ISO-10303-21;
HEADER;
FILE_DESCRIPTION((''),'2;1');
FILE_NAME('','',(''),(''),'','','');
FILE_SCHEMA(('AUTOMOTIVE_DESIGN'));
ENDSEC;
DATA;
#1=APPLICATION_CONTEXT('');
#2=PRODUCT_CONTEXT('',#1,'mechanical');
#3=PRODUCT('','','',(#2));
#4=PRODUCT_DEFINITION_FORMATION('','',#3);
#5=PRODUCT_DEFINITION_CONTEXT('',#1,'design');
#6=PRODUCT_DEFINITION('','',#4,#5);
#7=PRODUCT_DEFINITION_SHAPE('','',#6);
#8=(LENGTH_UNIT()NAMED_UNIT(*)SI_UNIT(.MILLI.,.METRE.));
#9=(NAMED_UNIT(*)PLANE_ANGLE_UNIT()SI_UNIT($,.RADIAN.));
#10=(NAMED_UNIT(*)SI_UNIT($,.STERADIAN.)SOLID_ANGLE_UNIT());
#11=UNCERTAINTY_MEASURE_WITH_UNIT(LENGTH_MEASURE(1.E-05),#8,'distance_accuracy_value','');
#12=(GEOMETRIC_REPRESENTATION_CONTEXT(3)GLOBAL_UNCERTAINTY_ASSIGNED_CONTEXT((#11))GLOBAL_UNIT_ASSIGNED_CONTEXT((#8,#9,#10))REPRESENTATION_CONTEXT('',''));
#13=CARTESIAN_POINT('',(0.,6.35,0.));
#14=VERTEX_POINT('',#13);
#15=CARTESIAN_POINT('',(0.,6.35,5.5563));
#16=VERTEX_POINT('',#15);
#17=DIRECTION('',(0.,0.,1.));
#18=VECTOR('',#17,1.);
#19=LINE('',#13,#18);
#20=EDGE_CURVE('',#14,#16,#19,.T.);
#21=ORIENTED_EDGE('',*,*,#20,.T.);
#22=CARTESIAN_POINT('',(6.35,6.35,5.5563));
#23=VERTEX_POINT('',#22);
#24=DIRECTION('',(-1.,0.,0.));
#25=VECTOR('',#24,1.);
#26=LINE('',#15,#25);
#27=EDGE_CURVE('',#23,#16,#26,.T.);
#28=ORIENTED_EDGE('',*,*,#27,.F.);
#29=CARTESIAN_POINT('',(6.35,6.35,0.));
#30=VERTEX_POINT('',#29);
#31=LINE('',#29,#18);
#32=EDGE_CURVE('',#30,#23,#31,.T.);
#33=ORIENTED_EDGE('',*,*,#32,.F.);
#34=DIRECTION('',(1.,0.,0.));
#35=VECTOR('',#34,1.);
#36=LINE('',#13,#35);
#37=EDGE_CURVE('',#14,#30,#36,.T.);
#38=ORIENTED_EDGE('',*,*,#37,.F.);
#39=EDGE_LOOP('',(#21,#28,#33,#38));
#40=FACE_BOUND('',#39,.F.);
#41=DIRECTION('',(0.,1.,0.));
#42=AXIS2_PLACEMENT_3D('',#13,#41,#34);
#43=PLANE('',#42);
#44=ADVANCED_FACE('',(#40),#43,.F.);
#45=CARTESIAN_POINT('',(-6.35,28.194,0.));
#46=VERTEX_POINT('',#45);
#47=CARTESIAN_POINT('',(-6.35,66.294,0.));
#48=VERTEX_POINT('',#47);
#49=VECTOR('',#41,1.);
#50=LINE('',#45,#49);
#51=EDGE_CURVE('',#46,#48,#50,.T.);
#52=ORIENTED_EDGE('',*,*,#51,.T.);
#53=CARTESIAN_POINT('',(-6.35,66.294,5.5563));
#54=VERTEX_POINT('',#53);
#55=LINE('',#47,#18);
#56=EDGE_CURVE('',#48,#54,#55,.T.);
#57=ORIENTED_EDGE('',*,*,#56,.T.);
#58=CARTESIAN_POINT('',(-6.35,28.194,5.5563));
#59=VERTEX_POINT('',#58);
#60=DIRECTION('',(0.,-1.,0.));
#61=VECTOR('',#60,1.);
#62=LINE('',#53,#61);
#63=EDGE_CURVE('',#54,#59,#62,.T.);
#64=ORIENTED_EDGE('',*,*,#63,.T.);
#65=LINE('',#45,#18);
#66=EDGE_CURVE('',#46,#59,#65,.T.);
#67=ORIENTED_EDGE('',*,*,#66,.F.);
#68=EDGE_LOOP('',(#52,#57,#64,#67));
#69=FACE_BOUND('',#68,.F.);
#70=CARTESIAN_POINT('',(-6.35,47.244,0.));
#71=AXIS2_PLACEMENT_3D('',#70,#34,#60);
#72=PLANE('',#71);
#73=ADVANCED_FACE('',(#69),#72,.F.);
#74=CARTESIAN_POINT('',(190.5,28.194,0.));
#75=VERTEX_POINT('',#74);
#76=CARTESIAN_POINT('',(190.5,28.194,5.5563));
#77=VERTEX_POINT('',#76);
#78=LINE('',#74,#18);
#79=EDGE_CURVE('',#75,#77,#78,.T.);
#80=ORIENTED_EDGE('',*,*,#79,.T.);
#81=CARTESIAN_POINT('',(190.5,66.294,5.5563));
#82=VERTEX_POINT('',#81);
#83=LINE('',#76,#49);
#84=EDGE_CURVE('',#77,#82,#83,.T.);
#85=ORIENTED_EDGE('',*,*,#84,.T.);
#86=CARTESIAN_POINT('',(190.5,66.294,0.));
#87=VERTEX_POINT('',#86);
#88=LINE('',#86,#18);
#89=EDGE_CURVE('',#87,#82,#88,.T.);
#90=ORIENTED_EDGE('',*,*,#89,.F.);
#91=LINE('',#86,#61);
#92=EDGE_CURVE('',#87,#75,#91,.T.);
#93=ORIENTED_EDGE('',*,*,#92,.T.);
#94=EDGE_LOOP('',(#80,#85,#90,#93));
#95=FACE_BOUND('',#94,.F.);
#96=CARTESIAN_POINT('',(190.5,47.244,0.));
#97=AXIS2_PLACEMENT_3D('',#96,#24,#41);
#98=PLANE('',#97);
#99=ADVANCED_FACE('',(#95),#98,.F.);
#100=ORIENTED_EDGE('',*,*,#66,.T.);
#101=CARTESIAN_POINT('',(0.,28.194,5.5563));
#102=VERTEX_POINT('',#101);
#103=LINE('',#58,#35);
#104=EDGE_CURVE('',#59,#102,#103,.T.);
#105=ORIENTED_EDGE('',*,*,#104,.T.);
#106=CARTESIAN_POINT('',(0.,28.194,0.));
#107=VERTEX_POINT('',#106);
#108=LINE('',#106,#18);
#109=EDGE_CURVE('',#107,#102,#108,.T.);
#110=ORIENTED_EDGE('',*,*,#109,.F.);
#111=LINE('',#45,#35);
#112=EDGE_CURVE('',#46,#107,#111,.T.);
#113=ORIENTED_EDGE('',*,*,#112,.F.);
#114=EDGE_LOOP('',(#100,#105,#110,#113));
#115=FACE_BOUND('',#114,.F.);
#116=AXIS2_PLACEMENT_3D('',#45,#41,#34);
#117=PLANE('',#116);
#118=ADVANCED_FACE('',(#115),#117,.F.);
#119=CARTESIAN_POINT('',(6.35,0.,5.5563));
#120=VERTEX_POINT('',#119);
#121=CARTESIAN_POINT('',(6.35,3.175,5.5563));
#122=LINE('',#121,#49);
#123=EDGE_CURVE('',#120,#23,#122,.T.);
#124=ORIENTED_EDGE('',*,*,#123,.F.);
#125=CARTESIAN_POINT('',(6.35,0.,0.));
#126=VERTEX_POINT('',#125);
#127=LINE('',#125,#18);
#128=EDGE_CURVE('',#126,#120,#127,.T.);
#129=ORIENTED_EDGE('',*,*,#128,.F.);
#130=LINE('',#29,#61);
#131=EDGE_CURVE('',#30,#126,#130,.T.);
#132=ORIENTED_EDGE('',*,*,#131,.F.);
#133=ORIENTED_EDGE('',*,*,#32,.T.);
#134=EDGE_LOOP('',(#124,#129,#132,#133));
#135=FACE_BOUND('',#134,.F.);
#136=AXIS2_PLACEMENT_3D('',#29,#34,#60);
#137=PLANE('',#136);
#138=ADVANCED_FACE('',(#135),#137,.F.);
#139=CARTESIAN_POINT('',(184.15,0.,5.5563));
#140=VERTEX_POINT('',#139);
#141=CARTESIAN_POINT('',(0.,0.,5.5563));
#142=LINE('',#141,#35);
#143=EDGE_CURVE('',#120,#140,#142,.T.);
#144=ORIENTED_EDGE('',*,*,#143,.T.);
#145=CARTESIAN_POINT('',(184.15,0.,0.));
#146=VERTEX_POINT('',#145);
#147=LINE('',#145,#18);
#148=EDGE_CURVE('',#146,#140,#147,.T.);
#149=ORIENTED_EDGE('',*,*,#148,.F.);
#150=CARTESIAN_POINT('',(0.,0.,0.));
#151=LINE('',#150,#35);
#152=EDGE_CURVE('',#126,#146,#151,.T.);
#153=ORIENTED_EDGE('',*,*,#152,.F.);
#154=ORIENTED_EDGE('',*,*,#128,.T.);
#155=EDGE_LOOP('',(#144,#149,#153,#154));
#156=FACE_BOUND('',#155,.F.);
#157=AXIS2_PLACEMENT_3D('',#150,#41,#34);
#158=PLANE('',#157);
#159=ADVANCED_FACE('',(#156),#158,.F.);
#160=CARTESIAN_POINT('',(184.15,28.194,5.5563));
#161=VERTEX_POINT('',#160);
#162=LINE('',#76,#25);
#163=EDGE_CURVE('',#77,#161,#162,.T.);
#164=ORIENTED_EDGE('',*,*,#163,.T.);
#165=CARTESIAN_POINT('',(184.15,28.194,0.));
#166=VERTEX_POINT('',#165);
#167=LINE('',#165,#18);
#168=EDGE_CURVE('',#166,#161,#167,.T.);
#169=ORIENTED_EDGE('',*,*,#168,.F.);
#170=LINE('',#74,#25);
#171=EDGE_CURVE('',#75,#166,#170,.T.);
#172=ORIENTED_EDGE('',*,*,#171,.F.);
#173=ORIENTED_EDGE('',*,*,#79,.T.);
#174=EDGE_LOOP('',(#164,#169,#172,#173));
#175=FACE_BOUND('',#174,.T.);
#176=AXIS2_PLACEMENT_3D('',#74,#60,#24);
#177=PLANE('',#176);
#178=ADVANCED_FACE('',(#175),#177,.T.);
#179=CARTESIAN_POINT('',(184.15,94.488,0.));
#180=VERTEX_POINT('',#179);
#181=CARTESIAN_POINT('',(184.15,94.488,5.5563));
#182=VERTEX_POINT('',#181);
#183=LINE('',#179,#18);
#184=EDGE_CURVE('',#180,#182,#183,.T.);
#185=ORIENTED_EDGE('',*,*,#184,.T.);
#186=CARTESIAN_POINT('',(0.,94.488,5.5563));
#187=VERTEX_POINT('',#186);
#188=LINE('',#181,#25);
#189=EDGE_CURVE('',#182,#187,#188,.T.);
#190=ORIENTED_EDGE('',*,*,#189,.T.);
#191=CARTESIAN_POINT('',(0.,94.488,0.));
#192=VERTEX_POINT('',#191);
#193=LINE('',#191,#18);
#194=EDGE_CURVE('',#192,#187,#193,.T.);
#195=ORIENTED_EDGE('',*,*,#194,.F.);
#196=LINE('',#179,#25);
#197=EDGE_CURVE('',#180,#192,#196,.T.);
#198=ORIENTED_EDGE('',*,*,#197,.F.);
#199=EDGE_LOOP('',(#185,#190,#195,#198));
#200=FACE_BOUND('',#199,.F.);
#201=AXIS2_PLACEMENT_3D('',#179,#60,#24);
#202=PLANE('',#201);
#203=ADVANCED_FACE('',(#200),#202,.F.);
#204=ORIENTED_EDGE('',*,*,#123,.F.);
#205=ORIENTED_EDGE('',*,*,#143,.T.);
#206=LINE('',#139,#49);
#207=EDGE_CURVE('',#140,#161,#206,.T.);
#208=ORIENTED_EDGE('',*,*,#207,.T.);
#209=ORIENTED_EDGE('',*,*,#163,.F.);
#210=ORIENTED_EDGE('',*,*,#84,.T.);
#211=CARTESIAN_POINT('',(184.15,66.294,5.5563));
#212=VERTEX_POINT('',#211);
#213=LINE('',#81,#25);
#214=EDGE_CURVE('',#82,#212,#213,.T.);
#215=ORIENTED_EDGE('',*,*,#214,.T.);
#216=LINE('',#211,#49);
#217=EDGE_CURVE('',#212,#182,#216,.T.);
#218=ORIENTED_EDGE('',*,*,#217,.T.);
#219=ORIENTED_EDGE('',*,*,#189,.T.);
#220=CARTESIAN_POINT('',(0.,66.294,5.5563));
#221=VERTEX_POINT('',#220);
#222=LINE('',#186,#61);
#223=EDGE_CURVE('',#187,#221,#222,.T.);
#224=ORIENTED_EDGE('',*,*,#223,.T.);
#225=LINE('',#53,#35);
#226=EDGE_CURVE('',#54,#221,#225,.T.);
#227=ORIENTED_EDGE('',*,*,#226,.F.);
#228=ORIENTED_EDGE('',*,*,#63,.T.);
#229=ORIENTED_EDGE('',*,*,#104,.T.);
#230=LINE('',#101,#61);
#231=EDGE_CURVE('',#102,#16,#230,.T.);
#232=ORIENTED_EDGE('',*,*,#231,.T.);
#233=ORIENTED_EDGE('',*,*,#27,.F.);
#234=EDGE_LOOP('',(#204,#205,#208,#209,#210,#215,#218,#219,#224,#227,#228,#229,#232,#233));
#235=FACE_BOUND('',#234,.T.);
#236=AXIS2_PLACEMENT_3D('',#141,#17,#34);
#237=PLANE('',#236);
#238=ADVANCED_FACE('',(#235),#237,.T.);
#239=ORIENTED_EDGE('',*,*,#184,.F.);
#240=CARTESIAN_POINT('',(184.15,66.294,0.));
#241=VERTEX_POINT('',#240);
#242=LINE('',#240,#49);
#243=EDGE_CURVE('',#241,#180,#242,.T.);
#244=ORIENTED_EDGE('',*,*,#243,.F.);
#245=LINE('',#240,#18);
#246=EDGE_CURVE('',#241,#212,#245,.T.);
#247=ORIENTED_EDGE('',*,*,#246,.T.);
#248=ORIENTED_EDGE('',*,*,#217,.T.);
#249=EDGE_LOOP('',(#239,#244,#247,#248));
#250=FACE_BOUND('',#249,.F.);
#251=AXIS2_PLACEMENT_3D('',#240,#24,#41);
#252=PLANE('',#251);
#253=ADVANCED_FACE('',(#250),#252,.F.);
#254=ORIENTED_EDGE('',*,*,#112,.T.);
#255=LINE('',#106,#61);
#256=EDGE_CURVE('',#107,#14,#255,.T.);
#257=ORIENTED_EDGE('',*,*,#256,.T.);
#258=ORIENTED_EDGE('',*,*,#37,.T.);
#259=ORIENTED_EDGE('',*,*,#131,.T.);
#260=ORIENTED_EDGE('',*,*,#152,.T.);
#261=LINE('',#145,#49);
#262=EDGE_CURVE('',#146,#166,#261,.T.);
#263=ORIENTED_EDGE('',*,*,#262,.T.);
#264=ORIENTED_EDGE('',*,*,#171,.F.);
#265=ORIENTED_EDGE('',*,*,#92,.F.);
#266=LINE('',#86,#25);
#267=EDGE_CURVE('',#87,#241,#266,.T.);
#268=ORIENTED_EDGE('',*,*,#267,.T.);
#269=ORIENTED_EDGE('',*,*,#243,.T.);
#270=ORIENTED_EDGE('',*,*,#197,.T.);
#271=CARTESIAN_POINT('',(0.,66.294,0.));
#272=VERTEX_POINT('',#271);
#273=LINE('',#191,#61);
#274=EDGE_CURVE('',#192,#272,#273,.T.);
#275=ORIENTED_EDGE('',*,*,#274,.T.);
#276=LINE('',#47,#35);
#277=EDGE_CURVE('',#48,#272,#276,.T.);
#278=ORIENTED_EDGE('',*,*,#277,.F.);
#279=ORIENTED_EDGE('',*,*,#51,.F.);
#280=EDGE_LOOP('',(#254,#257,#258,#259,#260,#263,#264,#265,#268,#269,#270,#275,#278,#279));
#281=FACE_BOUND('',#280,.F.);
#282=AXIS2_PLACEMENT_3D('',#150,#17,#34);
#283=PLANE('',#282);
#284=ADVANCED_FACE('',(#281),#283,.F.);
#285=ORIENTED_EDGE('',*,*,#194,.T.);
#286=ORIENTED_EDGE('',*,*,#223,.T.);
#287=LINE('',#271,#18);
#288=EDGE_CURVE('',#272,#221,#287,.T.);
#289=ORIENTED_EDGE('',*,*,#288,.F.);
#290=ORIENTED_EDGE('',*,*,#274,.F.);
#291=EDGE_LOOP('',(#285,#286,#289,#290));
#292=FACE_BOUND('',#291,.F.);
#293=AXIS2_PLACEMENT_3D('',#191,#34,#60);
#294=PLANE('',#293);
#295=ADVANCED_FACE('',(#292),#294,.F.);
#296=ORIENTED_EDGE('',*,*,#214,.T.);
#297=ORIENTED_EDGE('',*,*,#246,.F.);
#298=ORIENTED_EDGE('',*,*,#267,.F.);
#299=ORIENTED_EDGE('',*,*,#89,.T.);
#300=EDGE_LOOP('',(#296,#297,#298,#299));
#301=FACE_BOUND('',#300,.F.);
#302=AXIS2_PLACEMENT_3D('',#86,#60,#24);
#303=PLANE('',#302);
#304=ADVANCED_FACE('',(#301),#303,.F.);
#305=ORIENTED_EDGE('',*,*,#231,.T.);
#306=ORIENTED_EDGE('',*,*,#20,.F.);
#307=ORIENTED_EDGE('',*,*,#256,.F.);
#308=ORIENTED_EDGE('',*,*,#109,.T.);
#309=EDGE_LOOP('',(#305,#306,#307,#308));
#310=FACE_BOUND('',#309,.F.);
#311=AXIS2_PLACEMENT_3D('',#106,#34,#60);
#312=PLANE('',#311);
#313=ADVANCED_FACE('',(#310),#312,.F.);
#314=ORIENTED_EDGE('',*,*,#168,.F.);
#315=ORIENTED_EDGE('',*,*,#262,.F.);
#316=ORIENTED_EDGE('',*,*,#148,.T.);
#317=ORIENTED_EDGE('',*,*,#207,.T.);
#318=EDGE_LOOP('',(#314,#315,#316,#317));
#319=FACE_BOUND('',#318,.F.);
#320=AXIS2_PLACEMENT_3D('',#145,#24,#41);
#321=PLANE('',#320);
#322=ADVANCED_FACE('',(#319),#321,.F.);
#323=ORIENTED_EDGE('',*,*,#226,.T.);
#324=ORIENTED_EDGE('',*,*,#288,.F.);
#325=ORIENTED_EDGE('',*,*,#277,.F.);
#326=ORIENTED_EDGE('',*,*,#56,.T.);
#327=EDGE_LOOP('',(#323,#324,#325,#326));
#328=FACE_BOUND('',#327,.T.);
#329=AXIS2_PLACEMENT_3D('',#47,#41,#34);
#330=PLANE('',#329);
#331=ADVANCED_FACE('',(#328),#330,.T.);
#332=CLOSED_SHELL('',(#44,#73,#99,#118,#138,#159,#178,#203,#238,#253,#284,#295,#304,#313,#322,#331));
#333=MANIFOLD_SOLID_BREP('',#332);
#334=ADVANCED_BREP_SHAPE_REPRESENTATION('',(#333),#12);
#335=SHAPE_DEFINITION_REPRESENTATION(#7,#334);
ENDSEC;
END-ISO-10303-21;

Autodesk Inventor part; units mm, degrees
ref_plane "YZ Plane" through (0, 0, 0) normal (1, 0, 0) x (0, 1, 0)
ref_plane "XZ Plane" through (0, 0, 0) normal (0, 1, 0) x (-1, 0, 0)
ref_plane "XY Plane" through (0, 0, 0) normal (0, 0, 1) x (1, 0, 0)
sketch "Sketch1" plane through (0, 0, 0) normal (0, 0, 1) x (1, 0, 0)
  line L0 (0, 0) -> (184.15, 0)
  line L1 (184.15, 94.488) -> (0, 94.488)
  line L2 (190.5, 47.244) -> (190.5, 66.294)
  line L3 (190.5, 66.294) -> (184.15, 66.294)
  line L4 (190.5, 47.244) -> (190.5, 28.194)
  line L5 (190.5, 28.194) -> (184.15, 28.194)
  line L6 (-6.35, 47.244) -> (-6.35, 66.294)
  line L7 (-6.35, 66.294) -> (0, 66.294)
  line L8 (-6.35, 47.244) -> (-6.35, 28.194)
  line L9 (-6.35, 28.194) -> (0, 28.194)
  line L10 (0, 94.488) -> (0, 66.294)
  line L11 (0, 28.194) -> (0, 0)
  line L12 (184.15, 0) -> (184.15, 28.194)
  line L13 (184.15, 66.294) -> (184.15, 94.488)
  dimension "d0" = 184.15
extrude "Extrusion1" add sketch "Sketch1" along normal blind 5.5563
sketch "Sketch2" plane through (0, 0, 0) normal (0, 0, -1) x (-1, 0, 0)
  line L0 (0, 0) -> (0, 6.35)
  line L1 (0, 28.194) -> (0, 0) projected
  line L2 (0, 6.35) -> (-6.35, 6.35)
  line L3 (-6.35, 6.35) -> (-6.35, 0)
  line L4 (0, 6.35) -> (0, 0)
  line L5 (0, 0) -> (-184.15, 0) projected
  line L6 (-6.35, 0) -> (0, 0)
extrude "Extrusion2" cut sketch "Sketch2" against normal blind 6.35
properties part number "lower_front_wall"
